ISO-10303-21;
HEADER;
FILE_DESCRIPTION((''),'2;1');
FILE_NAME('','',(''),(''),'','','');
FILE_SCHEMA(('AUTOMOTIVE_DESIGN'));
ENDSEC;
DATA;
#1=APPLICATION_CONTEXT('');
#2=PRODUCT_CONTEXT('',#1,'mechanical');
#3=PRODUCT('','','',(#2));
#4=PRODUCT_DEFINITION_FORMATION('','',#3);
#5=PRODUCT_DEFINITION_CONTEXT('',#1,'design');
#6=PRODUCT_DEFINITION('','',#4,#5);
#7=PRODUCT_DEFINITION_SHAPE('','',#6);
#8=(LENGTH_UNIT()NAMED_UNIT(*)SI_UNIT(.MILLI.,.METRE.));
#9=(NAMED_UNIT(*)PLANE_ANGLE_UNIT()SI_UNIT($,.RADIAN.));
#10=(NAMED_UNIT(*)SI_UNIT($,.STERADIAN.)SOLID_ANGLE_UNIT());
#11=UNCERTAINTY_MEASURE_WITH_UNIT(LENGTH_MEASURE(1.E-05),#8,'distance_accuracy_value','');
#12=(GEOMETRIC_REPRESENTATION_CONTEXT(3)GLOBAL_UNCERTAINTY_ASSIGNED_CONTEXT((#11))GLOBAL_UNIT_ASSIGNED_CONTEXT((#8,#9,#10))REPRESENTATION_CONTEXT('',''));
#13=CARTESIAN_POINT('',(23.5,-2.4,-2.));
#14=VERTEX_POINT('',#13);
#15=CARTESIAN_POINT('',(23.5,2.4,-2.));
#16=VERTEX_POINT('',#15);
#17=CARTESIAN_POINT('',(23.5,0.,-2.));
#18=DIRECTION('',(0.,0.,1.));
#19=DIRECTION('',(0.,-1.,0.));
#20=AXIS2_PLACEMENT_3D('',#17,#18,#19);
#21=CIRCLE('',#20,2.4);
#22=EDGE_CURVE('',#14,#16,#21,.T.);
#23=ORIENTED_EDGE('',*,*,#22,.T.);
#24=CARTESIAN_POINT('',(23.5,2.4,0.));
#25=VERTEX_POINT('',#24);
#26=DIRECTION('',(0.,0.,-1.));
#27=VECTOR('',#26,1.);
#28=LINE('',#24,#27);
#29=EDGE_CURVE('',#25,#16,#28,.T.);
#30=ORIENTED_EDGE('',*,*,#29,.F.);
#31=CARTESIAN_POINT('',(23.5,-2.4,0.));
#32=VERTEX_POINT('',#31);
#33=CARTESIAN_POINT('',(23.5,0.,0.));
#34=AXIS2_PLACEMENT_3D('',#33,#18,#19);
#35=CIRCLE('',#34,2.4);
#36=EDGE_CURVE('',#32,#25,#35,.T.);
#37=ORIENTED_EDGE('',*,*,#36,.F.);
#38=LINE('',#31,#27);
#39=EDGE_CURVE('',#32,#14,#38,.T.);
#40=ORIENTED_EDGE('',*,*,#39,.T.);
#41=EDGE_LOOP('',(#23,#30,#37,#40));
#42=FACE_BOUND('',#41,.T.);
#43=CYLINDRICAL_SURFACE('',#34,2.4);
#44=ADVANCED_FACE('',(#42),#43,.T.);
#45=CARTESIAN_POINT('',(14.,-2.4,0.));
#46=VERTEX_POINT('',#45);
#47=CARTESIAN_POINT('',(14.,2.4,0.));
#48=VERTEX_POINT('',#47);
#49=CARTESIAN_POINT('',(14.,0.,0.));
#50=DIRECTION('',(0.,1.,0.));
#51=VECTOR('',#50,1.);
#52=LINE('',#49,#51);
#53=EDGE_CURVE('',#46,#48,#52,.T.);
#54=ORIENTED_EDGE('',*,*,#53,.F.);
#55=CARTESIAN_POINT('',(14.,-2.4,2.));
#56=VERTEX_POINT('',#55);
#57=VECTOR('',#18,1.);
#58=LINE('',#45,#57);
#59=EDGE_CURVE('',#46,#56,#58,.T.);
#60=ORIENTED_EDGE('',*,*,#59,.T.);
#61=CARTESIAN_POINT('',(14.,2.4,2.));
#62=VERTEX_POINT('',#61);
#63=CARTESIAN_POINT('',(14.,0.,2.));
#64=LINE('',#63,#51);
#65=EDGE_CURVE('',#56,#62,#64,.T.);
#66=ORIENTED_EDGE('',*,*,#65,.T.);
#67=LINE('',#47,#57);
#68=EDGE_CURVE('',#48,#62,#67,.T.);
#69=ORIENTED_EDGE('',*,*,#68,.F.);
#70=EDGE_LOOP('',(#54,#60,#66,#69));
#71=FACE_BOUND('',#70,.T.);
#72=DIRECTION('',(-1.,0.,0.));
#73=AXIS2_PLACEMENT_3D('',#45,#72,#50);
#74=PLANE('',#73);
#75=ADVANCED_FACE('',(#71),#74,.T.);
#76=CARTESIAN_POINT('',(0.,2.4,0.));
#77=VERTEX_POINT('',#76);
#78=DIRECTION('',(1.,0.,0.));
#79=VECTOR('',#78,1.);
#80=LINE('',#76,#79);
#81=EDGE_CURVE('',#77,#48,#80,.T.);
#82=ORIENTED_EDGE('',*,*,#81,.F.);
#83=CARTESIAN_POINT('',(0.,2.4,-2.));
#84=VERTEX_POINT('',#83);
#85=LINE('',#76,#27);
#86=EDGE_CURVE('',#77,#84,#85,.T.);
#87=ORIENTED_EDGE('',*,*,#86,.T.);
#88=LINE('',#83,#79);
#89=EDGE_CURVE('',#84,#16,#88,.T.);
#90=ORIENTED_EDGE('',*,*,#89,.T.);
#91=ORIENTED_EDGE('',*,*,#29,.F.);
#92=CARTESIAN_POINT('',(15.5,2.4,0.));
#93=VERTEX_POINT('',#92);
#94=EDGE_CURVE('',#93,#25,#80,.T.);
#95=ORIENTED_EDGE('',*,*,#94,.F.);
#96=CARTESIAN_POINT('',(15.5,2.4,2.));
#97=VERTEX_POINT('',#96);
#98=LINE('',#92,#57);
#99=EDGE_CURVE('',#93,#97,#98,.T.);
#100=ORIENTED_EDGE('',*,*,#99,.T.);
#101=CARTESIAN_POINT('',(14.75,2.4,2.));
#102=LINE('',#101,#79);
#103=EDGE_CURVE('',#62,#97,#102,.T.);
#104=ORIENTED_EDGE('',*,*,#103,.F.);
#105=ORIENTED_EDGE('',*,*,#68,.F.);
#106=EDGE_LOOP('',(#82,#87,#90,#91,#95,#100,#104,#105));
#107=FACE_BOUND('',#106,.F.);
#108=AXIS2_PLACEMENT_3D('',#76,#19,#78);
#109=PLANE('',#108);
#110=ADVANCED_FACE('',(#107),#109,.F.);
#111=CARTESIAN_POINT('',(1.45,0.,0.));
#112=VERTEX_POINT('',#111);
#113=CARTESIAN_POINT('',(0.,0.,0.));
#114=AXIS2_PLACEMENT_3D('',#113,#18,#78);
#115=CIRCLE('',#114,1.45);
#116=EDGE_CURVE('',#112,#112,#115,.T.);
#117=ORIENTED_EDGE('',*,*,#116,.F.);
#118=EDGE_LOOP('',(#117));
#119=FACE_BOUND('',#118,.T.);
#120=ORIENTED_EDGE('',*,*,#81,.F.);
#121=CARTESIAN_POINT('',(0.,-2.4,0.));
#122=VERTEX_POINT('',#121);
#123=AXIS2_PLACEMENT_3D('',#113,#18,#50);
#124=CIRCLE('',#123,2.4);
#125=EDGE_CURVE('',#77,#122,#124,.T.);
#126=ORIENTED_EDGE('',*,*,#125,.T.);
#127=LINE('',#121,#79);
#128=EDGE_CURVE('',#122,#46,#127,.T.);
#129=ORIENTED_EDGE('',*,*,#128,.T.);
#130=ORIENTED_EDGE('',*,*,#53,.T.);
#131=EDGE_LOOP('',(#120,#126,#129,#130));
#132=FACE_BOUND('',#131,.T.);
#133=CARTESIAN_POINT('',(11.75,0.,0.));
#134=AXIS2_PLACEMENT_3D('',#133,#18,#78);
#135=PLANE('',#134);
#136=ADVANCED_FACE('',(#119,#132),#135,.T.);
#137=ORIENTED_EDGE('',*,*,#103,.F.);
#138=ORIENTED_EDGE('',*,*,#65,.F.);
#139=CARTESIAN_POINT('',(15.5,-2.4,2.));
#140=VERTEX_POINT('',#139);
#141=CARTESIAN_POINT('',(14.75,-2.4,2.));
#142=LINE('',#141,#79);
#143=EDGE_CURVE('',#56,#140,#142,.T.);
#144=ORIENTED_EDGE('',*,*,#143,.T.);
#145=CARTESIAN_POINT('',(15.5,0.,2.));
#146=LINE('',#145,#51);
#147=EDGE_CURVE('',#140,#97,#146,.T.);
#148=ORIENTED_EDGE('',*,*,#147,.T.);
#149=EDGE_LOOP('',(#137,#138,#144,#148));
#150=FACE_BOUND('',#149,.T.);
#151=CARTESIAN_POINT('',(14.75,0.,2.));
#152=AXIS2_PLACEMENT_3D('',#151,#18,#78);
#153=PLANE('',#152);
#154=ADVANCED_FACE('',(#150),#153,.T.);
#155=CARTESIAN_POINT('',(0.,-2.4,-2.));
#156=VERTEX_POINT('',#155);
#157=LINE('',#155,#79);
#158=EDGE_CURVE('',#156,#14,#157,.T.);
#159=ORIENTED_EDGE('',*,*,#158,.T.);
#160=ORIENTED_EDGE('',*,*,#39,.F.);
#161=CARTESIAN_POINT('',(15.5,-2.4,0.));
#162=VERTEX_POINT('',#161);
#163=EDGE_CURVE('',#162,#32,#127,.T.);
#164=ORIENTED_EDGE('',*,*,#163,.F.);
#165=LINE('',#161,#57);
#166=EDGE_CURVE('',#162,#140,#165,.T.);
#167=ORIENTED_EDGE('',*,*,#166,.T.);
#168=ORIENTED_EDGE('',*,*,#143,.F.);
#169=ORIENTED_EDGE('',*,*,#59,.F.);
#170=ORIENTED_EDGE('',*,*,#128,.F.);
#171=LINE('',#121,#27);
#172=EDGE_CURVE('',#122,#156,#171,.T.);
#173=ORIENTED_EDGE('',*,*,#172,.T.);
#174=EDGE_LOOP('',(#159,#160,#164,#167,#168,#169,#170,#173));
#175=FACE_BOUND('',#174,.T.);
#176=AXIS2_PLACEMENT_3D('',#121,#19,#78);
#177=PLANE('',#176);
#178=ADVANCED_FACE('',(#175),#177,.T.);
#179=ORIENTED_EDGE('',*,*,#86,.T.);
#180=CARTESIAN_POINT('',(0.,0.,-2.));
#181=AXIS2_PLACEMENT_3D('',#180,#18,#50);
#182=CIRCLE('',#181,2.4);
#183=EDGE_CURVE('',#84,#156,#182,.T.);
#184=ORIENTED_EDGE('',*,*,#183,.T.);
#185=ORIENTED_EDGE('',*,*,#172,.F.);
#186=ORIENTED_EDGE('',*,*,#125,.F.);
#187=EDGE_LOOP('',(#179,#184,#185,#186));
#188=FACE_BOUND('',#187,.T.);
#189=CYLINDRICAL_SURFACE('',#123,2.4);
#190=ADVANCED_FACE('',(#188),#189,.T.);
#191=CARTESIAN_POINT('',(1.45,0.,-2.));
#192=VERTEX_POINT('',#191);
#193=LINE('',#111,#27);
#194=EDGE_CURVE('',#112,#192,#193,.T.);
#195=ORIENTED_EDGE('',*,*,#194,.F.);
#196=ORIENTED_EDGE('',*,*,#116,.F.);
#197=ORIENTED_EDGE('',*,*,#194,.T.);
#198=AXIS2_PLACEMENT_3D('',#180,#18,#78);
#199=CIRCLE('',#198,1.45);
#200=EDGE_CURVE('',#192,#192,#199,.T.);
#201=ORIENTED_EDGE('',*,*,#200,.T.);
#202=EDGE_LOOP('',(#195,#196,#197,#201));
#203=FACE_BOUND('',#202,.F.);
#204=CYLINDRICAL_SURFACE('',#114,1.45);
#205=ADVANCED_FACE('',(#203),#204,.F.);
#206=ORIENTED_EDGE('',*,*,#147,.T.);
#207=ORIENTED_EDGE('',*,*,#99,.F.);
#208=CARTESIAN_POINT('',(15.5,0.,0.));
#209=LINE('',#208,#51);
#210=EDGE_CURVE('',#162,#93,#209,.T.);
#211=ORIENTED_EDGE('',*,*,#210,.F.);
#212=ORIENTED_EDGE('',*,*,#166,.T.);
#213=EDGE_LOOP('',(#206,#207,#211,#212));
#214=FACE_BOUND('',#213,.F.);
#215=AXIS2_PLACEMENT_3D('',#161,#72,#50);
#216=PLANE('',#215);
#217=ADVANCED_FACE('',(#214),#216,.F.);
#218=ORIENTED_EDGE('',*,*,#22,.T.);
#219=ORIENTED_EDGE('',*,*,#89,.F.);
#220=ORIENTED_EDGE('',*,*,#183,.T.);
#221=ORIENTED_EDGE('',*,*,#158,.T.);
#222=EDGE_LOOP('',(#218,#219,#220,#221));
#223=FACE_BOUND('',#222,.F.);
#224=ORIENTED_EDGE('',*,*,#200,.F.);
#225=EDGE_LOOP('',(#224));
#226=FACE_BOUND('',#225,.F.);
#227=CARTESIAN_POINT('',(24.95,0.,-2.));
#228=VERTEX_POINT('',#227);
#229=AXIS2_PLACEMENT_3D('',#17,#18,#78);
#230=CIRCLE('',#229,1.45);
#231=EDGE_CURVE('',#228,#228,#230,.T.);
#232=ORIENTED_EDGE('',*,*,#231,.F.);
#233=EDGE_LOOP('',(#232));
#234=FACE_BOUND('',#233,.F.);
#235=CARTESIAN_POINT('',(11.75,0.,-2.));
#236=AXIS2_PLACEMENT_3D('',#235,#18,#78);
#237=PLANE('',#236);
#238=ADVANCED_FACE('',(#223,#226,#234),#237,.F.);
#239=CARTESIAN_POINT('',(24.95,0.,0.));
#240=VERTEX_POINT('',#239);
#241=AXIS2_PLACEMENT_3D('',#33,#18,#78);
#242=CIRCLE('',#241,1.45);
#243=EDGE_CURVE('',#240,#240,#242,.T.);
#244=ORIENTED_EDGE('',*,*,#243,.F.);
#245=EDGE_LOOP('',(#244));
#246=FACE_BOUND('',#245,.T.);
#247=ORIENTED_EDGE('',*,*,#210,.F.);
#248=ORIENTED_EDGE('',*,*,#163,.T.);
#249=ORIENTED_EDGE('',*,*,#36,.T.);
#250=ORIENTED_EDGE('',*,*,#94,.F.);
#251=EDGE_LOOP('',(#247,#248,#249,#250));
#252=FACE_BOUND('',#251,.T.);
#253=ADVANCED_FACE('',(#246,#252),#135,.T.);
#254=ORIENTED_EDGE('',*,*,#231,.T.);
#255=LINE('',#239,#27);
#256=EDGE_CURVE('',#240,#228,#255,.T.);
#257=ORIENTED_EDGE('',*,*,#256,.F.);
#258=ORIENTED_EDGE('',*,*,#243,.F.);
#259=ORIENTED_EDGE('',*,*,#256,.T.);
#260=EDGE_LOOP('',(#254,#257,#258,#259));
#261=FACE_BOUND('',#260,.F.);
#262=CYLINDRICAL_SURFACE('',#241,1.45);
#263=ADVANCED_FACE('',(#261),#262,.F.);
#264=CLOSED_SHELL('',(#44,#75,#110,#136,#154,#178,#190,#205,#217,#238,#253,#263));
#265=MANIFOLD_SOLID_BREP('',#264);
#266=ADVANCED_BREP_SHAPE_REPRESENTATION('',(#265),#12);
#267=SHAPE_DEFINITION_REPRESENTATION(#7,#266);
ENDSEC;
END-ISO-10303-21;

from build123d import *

# Parameters (mm, degrees)
PAD_DEPTH    = 2
SKETCH001_R  = 1.45
POCKET_DEPTH = 2.001
SKETCH002_W  = 1.5
SKETCH002_H  = 4.8
PAD001_DEPTH = 2


with BuildPart() as part:
    # Sketch → Pad (new body)
    with BuildSketch(Plane.XY):
        with BuildLine():
            ThreePointArc((0, 2.4), (-2.4, 0), (0, -2.4))
            Line((0, -2.4), (23.5, -2.4))
            ThreePointArc((23.5, -2.4), (25.9, 0), (23.5, 2.4))
            Line((0, 2.4), (23.5, 2.4))
        make_face()
    extrude(amount=-PAD_DEPTH)

    # Sketch001 → Pocket (cut, through all)
    with BuildSketch(Plane.XY):
        Circle(SKETCH001_R)
        with Locations((23.5, 0)):
            Circle(SKETCH001_R)
    extrude(amount=-POCKET_DEPTH, mode=Mode.SUBTRACT)

    # Sketch002 → Pad001 (join)
    with BuildSketch(Plane.XY):
        with Locations((14.75, 0)):
            Rectangle(SKETCH002_W, SKETCH002_H)
    extrude(amount=PAD001_DEPTH)


solid = part.part
